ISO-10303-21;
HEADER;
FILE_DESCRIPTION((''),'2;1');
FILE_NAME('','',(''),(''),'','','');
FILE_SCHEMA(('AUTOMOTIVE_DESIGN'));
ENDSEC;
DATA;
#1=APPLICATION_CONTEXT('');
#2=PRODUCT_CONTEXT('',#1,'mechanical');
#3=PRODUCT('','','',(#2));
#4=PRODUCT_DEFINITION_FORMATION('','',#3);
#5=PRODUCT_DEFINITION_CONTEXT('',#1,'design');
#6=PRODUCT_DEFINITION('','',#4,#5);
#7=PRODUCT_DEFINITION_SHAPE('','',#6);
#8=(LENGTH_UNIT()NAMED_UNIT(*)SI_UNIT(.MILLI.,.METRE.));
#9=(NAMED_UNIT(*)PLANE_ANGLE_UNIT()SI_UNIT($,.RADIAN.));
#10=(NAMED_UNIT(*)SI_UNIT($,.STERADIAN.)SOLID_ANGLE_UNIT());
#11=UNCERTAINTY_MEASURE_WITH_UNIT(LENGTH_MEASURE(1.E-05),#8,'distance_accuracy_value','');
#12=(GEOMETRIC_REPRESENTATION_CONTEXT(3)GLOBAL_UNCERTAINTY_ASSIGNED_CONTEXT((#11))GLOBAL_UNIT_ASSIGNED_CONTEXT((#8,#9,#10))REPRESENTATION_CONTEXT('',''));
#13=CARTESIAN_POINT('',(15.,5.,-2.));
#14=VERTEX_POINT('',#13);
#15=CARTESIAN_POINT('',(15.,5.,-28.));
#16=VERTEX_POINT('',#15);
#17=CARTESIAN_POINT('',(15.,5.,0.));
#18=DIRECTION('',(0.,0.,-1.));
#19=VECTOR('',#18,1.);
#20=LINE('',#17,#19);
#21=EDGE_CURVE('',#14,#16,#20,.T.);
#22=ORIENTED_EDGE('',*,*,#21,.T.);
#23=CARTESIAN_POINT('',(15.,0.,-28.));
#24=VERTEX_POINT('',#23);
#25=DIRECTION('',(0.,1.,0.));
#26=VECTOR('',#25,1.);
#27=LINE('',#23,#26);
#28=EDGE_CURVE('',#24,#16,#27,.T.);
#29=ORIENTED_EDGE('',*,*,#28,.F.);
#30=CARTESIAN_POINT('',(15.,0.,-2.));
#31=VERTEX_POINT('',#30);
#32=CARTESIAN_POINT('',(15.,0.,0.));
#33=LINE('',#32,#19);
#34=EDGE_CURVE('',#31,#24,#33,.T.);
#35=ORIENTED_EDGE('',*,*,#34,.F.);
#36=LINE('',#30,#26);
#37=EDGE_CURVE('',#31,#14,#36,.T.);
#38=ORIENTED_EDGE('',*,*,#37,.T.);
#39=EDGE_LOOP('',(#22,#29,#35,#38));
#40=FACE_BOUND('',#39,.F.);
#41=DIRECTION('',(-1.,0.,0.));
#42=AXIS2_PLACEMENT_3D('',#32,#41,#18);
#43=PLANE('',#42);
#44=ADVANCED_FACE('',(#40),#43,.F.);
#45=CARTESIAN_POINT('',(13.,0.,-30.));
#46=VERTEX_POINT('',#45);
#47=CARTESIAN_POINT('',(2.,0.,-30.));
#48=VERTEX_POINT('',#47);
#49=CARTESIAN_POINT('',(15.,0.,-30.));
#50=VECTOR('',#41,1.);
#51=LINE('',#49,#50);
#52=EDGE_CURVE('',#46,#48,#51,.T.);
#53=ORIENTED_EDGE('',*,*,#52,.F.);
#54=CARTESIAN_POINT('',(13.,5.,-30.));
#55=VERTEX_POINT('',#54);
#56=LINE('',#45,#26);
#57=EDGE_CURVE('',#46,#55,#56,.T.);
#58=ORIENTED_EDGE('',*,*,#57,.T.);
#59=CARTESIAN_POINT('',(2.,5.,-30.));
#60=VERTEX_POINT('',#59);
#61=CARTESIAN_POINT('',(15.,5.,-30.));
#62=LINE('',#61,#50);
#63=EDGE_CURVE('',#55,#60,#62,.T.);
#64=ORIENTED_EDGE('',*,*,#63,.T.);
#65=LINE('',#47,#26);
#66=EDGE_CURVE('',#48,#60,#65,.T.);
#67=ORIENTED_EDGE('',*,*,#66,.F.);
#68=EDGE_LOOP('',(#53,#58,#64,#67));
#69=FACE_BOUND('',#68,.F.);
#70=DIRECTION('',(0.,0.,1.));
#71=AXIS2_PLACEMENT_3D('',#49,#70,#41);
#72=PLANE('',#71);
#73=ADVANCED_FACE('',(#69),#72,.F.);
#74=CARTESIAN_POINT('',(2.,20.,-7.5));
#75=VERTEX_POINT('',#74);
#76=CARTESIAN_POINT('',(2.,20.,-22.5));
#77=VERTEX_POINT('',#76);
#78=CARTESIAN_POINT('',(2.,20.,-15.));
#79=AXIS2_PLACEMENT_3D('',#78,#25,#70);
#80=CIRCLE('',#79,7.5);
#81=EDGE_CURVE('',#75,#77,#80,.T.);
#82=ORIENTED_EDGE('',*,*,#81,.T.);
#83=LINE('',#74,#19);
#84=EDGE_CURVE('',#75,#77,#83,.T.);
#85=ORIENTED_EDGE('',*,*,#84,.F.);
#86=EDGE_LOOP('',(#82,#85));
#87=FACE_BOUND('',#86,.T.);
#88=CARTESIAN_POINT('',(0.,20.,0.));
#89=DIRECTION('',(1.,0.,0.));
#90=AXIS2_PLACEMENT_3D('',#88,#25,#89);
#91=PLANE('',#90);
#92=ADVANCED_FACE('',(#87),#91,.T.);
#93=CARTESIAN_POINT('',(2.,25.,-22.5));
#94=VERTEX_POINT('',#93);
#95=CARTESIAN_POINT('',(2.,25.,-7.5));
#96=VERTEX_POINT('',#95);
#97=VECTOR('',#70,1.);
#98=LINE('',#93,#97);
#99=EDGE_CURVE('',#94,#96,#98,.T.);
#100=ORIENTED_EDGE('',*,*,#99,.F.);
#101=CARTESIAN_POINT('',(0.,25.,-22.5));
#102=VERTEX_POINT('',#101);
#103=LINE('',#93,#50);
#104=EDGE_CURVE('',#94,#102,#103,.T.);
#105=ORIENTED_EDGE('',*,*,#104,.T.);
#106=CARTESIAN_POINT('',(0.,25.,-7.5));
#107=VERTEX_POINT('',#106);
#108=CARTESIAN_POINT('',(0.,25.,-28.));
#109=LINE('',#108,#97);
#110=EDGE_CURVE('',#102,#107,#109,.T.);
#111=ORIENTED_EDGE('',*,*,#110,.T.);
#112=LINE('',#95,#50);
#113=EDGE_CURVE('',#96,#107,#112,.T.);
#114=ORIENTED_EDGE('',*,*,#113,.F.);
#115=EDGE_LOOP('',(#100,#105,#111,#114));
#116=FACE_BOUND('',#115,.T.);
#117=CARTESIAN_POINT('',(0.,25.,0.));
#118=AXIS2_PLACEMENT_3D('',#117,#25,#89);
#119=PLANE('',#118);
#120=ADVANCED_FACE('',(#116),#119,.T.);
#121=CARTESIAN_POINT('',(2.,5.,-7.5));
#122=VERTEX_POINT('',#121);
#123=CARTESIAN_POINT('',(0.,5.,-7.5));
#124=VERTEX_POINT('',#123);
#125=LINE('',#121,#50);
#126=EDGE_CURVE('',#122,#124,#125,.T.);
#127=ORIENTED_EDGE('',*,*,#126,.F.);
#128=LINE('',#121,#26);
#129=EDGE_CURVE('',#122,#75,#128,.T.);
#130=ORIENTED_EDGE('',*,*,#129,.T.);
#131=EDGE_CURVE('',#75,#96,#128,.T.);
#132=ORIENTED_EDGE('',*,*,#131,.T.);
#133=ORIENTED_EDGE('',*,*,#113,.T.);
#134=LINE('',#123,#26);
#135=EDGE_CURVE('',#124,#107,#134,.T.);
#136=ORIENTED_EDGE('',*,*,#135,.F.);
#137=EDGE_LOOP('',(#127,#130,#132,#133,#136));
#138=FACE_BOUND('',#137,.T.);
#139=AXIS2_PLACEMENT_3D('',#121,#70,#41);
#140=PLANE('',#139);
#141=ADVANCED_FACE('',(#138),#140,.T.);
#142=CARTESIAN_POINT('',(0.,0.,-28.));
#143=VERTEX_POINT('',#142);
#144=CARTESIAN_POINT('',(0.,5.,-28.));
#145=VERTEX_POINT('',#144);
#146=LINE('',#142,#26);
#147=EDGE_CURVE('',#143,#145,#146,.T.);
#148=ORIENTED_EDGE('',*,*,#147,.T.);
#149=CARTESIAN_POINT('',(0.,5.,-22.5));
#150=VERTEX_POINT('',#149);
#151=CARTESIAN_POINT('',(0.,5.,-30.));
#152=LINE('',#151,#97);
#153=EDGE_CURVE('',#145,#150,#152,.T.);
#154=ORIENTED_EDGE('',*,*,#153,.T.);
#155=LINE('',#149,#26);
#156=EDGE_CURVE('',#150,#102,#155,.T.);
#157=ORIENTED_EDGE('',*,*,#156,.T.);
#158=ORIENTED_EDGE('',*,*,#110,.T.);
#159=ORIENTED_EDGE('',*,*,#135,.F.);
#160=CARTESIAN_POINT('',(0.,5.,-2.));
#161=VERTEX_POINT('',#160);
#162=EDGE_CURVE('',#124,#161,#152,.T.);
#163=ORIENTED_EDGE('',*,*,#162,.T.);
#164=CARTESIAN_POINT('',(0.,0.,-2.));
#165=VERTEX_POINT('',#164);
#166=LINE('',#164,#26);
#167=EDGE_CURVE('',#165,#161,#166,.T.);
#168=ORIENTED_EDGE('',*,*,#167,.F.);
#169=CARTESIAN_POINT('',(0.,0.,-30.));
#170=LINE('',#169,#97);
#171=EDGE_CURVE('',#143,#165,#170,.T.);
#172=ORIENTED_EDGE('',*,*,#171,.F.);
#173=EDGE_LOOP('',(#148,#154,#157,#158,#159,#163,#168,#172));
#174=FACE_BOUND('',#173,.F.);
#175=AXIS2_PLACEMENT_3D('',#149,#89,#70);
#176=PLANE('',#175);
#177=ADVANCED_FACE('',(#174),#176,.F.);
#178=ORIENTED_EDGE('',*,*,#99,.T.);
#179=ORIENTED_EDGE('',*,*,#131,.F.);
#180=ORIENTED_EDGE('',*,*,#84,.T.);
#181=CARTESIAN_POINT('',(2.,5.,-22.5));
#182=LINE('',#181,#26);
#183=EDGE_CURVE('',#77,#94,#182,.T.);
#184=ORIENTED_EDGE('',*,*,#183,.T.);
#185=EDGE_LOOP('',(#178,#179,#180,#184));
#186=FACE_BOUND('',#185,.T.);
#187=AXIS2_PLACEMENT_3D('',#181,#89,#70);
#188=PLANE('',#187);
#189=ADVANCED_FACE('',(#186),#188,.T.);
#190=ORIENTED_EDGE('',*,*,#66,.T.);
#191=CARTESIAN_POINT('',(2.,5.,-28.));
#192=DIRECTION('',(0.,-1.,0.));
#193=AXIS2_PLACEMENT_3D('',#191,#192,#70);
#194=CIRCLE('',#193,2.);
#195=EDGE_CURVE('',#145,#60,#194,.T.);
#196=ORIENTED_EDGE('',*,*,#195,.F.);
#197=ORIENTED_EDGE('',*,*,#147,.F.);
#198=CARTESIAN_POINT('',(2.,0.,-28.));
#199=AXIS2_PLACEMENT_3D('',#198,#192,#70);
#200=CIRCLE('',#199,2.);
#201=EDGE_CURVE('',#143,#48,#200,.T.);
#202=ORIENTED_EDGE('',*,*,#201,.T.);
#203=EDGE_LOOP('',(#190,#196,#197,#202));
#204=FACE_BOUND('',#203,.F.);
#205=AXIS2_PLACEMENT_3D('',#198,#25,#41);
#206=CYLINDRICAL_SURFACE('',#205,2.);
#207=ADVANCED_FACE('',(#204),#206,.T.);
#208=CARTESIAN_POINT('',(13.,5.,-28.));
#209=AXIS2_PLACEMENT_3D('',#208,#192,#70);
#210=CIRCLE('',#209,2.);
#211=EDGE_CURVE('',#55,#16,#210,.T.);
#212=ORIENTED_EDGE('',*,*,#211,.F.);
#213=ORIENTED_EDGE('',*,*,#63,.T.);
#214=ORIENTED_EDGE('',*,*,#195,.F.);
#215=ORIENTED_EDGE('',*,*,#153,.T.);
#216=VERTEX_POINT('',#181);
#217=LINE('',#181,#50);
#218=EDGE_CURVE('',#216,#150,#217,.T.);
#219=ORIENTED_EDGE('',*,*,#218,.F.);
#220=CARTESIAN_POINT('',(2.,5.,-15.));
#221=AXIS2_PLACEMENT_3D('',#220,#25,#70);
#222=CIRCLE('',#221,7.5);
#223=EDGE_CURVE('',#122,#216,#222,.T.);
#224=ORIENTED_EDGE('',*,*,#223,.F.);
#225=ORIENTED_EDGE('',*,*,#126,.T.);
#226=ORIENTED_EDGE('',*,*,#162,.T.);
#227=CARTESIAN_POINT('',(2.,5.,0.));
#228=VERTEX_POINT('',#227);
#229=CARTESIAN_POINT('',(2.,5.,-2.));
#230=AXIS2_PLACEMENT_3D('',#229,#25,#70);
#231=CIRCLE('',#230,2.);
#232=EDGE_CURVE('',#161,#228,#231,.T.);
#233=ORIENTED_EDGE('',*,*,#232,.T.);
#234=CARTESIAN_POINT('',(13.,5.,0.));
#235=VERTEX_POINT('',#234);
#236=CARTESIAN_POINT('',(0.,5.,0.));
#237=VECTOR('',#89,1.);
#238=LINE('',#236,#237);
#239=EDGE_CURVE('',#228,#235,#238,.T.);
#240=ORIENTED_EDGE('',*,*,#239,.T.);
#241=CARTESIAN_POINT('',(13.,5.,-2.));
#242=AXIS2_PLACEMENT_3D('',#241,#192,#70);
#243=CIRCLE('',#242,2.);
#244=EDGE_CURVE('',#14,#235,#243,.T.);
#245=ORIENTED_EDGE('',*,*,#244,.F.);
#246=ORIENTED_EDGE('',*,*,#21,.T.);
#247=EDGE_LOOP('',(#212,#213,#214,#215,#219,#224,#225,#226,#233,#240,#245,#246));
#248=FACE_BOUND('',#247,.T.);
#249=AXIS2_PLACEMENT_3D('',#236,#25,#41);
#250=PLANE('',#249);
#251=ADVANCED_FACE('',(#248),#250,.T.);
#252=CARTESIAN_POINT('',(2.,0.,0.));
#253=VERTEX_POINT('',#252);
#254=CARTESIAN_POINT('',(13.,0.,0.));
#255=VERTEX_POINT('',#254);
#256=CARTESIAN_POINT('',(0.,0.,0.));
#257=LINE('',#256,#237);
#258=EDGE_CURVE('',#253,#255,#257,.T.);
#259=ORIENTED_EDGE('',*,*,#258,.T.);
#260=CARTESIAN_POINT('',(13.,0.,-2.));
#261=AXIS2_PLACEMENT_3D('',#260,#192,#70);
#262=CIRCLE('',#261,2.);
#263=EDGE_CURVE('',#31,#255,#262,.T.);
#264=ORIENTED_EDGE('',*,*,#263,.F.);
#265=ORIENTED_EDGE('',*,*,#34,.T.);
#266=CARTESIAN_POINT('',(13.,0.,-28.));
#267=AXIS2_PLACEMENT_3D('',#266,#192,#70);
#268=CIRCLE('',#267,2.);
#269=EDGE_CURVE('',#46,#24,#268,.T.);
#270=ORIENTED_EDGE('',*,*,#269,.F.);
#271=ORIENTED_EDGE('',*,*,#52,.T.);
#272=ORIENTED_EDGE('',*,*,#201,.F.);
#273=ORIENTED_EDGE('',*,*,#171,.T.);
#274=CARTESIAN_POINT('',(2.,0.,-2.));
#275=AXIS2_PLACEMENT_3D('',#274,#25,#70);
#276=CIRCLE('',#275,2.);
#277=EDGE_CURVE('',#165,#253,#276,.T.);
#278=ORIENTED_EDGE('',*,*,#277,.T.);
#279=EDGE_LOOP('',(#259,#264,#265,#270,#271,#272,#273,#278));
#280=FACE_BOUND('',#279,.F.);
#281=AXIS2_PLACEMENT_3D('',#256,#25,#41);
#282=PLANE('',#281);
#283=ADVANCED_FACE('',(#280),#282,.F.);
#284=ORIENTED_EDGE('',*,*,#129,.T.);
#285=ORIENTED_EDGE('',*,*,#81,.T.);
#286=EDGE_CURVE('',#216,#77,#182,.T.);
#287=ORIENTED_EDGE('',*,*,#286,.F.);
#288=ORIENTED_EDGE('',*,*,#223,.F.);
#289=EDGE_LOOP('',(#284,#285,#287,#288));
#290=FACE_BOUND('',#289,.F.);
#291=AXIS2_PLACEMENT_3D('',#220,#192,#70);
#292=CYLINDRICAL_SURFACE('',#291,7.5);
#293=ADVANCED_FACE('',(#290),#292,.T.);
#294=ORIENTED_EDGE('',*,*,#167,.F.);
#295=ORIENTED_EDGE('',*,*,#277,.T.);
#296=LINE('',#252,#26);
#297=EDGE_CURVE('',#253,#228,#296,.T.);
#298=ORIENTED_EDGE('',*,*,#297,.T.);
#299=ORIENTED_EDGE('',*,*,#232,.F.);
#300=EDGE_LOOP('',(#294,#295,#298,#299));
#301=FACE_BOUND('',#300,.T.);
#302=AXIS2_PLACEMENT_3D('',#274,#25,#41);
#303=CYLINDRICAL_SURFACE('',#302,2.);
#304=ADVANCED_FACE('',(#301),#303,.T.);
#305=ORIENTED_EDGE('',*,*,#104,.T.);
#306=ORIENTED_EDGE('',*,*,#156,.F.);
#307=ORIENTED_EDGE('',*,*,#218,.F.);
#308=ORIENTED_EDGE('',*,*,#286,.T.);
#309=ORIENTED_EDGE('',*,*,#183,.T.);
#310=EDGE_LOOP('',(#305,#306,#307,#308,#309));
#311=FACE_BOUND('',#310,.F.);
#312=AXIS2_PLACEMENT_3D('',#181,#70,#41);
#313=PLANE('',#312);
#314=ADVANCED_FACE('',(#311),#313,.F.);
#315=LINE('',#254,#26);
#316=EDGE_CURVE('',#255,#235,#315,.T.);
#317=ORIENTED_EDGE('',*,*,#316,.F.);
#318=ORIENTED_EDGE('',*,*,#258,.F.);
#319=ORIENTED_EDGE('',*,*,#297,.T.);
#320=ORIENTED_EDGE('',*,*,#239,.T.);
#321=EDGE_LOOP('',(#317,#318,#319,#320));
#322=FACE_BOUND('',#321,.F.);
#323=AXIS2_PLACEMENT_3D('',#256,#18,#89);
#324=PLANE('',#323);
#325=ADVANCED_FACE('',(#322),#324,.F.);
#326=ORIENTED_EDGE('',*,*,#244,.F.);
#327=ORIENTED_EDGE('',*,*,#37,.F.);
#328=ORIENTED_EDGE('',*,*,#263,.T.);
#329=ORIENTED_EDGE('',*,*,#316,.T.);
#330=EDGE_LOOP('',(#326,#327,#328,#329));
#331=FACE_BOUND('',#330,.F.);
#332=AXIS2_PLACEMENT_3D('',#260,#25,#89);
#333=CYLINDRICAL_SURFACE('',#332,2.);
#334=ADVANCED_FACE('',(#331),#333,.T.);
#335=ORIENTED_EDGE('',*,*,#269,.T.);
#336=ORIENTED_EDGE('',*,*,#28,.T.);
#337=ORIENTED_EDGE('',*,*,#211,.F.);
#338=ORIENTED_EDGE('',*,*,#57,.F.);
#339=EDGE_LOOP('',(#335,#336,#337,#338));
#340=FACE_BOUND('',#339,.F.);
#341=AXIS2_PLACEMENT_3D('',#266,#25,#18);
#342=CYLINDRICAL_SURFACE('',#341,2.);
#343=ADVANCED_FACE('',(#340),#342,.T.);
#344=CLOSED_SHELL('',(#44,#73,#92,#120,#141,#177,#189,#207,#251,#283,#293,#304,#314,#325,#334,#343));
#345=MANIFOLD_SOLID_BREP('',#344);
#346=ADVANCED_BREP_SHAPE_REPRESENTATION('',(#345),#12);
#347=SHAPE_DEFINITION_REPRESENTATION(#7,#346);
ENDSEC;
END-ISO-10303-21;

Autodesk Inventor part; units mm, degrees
ref_plane "YZ Plane" through (0, 0, 0) normal (1, 0, 0) x (0, 1, 0)
ref_plane "XZ Plane" through (0, 0, 0) normal (0, 1, 0) x (-1, 0, 0)
ref_plane "XY Plane" through (0, 0, 0) normal (0, 0, 1) x (1, 0, 0)
sketch "草圖1" plane through (0, 0, 0) normal (0, 1, 0) x (-1, 0, 0)
  line L0 (0, 0) -> (-15, 0)
  line L1 (-15, 0) -> (-15, -30)
  line L2 (-15, -30) -> (0, -30)
  line L3 (0, -30) -> (0, 0)
  dimension "d0" = 15
  dimension "d1" = 30
extrude "擠出1" add sketch "草圖1" along normal blind 5
fillet "圓角1" radius 2 4 edges at (15, 2.5, 0) (15, 2.5, -30) (0, 2.5, 0) (0, 2.5, -30)
sketch "草圖2" plane through (0, 5, 0) normal (0, 1, 0) x (1, 0, 0)
  line L0 (13, 30) -> (2, 30) projected
  line L1 (0, 28) -> (0, 2) projected
  line L2 (2, 30) -> (2, 15)
  arc A0 (2, 7.5) -> (2, 22.5) centre (2, 15) ccw
  line L3 (2, 15) -> (2, 7.5)
  line L4 (2, 15) -> (2, 22.5)
  line L5 (2, 22.5) -> (0, 22.5)
  line L6 (2, 7.5) -> (0, 7.5)
  line L7 (0, 22.5) -> (0, 7.5)
  point P0 (0, 0)
  dimension "d8" = 15
  dimension "d9" = 15
extrude "擠出3" add sketch "草圖2" along normal blind 15 contours A0 L3 L2
extrude "擠出4" add sketch "草圖2" along normal blind 20 contours L5 L2 L3 L6 L1
properties part number "孔1"
